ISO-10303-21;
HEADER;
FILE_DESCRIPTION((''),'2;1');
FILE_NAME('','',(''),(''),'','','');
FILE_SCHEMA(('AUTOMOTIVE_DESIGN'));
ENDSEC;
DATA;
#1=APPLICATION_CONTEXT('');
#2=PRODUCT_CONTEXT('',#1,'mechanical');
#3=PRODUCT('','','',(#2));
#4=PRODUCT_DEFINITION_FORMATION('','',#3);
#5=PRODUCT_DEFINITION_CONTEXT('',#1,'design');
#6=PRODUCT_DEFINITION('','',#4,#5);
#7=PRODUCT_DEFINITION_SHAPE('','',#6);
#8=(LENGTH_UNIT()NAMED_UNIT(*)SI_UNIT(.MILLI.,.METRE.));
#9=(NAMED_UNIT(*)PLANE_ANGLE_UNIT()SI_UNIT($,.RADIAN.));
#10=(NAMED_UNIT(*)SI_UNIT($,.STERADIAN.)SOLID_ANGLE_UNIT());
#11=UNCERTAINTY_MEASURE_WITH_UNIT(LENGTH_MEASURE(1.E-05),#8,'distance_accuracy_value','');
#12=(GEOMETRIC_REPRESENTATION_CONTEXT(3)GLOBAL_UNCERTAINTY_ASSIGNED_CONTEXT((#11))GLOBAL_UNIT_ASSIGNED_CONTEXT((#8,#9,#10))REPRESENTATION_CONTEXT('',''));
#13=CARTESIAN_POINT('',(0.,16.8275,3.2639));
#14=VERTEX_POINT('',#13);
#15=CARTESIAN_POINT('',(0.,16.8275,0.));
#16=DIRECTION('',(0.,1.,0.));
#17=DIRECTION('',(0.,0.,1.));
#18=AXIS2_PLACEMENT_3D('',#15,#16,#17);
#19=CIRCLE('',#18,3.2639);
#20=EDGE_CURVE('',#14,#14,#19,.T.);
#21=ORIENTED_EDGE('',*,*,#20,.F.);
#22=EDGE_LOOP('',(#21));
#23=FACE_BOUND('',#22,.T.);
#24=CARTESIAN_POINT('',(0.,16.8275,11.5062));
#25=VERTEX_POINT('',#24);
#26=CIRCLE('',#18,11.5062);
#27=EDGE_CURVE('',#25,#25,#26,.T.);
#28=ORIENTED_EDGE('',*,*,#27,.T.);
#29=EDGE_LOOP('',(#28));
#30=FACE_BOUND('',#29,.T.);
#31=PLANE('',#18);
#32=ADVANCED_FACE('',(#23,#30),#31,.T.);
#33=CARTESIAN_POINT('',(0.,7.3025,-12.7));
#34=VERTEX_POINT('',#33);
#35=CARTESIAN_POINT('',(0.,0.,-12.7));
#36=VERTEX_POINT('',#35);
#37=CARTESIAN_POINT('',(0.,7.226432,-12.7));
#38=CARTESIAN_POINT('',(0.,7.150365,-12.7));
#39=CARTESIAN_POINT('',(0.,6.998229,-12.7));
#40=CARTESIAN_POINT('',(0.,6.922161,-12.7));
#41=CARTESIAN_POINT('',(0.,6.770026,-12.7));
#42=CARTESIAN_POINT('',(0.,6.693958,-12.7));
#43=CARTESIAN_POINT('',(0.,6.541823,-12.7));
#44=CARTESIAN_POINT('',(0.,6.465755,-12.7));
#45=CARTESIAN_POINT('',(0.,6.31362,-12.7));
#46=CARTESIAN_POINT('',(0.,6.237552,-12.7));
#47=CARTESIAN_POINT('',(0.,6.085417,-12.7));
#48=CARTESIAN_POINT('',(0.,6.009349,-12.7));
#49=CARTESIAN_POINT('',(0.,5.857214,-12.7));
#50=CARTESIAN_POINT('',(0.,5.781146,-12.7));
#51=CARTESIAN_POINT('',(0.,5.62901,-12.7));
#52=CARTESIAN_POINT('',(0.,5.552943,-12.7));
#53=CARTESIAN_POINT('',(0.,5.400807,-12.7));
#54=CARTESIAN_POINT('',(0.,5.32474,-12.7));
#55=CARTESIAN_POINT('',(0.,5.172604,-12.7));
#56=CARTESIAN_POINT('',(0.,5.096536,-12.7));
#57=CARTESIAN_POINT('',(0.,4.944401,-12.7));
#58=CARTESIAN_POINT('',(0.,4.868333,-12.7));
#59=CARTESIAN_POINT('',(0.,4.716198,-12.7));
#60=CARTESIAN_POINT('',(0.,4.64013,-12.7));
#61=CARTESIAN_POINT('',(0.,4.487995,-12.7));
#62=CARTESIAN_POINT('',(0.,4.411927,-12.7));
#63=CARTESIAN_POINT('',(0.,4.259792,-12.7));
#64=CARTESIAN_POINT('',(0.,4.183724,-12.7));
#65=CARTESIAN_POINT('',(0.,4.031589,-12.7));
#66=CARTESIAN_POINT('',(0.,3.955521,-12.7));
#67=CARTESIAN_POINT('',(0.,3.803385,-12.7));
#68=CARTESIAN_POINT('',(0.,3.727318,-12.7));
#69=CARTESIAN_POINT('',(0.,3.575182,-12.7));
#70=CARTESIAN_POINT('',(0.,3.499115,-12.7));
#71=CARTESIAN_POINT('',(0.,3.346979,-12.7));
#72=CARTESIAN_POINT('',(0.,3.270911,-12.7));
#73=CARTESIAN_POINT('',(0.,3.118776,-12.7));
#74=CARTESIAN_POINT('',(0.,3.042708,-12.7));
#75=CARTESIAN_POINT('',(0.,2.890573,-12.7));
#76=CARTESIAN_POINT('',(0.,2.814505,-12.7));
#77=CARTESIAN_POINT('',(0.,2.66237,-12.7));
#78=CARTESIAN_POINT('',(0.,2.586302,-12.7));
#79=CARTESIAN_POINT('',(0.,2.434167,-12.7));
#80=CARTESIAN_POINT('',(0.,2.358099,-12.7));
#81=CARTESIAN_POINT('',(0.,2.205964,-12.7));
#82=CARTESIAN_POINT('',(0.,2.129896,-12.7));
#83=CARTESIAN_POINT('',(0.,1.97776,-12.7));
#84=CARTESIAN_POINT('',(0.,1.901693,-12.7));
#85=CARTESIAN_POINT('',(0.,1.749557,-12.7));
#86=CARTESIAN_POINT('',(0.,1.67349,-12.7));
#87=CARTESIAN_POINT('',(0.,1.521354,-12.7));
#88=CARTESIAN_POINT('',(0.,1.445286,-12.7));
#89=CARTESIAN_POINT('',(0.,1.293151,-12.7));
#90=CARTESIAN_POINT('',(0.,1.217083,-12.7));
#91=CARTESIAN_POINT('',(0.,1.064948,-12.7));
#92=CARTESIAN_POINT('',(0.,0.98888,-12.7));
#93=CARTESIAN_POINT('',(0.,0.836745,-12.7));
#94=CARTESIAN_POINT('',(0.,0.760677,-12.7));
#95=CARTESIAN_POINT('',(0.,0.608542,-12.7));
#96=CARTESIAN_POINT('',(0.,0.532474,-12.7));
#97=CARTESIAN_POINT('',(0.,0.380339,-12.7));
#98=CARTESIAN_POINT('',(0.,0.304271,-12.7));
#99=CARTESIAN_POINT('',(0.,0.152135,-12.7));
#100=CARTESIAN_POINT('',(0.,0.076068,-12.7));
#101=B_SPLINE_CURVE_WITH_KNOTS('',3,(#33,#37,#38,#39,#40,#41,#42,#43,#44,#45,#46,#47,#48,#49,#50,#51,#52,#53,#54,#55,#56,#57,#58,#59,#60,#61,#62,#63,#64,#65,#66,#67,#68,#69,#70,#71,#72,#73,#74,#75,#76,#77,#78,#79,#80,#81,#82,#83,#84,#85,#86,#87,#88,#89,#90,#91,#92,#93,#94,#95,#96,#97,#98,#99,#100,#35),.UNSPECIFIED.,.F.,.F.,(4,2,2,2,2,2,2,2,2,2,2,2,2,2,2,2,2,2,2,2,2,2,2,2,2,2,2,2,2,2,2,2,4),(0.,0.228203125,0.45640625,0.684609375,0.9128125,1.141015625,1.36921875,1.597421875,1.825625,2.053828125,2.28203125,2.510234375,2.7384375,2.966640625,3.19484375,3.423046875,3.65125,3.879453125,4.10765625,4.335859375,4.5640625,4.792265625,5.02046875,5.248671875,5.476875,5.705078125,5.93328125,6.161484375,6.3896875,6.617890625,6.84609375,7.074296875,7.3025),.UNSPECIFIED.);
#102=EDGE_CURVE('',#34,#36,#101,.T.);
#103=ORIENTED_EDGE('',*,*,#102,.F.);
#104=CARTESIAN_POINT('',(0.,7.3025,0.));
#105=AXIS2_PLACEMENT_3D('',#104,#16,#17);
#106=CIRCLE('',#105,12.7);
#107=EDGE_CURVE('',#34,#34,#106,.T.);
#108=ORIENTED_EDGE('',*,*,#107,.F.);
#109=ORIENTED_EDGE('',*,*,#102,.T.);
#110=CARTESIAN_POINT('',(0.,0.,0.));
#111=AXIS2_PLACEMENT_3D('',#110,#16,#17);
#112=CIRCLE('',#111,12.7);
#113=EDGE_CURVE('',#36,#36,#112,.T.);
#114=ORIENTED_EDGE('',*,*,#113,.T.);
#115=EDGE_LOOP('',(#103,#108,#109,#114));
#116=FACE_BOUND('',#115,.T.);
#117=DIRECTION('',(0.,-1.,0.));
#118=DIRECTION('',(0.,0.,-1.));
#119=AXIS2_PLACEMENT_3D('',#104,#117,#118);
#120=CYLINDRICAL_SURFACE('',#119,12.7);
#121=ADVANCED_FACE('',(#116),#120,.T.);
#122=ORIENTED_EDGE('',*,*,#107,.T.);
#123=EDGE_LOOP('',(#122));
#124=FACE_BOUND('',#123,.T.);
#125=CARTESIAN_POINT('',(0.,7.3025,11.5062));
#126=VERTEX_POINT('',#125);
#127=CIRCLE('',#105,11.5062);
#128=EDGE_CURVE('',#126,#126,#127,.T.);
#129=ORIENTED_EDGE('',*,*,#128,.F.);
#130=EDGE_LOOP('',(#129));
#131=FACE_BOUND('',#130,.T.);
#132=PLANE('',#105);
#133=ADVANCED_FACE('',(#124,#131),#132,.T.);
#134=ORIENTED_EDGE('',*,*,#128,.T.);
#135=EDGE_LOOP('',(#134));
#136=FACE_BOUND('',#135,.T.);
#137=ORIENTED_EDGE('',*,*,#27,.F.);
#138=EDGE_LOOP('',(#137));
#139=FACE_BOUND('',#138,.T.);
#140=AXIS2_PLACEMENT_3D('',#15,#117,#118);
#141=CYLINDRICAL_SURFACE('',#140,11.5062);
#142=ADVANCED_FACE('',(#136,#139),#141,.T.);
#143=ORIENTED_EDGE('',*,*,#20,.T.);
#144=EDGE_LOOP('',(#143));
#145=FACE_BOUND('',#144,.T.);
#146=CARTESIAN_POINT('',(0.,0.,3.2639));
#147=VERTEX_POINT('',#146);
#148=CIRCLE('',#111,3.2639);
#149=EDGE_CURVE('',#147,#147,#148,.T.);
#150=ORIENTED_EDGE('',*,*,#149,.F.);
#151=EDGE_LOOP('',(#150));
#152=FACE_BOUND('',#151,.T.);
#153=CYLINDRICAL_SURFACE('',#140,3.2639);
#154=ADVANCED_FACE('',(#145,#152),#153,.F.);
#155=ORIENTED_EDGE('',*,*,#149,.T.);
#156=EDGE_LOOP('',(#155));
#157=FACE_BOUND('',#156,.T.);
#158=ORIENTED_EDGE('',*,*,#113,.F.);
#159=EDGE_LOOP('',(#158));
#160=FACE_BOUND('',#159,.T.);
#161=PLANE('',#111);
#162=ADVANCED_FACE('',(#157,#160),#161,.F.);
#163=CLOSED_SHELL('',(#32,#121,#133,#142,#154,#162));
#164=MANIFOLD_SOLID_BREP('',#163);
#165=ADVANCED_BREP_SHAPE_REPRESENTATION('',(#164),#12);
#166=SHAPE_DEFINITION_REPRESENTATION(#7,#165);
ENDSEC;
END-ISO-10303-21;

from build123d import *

# Parameters (mm, degrees)
SKETCH1_R           = 11.5062
SKETCH1_R_2         = 3.2639
BOSS_EXTRUDE1_DEPTH = 16.8275
SKETCH1_3_R         = 12.7
SKETCH1_3_R_2       = 11.5062
BOSS_EXTRUDE2_DEPTH = 7.3025


with BuildPart() as part:
    # Sketch1 → Boss-Extrude1 (new body)
    with BuildSketch(Plane(origin=(0, 0, 0), x_dir=(1, 0, 0), z_dir=(0, 1, 0))):
        Circle(SKETCH1_R)
        Circle(SKETCH1_R_2, mode=Mode.SUBTRACT)
    extrude(amount=BOSS_EXTRUDE1_DEPTH)

    # Sketch1<3> → Boss-Extrude2 (add)
    with BuildSketch(Plane(origin=(0, 0, 0), x_dir=(1, 0, 0), z_dir=(0, 1, 0))):
        Circle(SKETCH1_3_R)
        Circle(SKETCH1_3_R_2, mode=Mode.SUBTRACT)
    extrude(amount=BOSS_EXTRUDE2_DEPTH)


solid = part.part
